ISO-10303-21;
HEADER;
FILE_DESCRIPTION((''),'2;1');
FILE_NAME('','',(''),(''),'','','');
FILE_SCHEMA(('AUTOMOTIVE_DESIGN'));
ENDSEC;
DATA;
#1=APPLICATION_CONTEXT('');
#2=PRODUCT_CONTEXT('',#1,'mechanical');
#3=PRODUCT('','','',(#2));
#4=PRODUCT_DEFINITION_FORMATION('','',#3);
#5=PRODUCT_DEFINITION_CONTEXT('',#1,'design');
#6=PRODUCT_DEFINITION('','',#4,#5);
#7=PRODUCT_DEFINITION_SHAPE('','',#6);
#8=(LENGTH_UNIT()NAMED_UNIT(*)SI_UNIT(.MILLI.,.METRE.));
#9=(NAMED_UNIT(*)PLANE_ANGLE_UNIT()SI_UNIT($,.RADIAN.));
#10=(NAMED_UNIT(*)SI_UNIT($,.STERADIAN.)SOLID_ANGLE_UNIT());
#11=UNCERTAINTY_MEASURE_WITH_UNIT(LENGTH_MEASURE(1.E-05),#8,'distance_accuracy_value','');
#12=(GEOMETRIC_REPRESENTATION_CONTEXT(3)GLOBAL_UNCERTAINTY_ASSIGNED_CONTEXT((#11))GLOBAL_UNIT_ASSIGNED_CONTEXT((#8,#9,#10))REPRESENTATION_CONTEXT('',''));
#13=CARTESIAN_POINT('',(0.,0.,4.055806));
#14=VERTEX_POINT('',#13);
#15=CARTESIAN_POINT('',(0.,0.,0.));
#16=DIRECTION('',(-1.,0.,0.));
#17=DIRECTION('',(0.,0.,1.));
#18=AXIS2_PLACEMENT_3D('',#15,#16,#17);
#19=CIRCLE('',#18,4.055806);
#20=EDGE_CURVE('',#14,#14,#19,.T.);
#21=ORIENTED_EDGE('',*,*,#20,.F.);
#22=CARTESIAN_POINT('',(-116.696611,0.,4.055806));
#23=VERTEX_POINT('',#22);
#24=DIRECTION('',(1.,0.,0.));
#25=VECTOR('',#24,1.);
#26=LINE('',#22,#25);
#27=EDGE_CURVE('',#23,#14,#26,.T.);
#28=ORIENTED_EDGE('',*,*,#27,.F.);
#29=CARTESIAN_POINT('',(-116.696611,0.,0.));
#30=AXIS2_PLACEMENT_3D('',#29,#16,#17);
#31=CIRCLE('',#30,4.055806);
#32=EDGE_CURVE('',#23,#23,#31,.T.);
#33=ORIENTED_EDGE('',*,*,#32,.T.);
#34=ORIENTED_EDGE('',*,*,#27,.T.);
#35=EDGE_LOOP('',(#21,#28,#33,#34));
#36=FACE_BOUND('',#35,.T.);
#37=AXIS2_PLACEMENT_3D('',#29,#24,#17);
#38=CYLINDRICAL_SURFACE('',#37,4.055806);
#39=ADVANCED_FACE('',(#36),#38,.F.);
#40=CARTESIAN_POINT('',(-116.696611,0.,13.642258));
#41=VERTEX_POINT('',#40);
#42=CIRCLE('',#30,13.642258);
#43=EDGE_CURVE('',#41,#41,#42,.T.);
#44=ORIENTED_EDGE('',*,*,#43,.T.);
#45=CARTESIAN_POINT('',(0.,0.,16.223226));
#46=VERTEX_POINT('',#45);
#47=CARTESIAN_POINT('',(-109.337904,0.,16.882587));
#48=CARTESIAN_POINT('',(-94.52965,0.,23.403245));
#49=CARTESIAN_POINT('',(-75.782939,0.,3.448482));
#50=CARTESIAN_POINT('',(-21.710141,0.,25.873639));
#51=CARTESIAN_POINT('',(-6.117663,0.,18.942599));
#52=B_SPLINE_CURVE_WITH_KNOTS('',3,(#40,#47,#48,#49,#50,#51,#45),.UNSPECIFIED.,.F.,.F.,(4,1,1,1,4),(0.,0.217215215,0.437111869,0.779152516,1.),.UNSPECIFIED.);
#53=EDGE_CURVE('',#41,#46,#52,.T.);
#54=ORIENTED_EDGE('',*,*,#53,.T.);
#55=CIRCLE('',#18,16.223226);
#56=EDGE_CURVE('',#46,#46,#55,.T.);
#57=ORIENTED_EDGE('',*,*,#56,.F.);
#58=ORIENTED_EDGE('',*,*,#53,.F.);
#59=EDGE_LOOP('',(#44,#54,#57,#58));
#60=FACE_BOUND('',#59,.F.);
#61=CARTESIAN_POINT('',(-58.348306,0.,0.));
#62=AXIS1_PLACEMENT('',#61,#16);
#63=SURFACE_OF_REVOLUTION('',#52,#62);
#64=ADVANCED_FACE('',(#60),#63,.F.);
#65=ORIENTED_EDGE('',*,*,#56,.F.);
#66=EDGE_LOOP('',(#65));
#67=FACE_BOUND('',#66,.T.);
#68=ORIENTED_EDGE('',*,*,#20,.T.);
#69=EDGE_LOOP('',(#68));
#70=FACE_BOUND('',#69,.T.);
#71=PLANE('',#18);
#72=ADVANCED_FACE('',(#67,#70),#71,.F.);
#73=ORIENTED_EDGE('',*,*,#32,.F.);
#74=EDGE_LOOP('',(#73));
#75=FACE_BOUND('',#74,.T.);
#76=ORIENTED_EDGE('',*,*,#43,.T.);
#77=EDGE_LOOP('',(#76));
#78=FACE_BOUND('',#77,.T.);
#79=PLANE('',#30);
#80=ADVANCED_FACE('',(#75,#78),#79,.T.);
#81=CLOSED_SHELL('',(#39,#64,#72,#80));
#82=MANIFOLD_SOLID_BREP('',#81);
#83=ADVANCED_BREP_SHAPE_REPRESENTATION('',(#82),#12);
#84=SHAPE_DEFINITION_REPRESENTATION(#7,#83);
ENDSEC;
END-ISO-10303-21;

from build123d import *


with BuildPart() as f1:
    # F0 (on Front) → F1 (revolve)
    with BuildSketch(Plane.XZ):
        with BuildLine():
            Line((-116.6966110468, 4.0558064356), (0, 4.0558064356))
            Line((0, 4.0558064356), (0, 16.2232257426))
            add(Edge.make_bspline(
                [(-116.6966110468, 13.6422580108), (-109.3379042602, 16.8825866806), (-94.5296502416, 23.4032446492), (-75.7829385636, 3.4484815385), (-21.7101412866, 25.8736387822), (-6.1176626269, 18.9425987032), (0, 16.2232257426)],
                knots=[0, 0, 0, 0, 0.2172152145, 0.4371118685, 0.7791525157, 1, 1, 1, 1], degree=3))
            Line((-116.6966110468, 13.6422580108), (-116.6966110468, 4.0558064356))
        make_face()
    revolve(axis=Axis((-58.3483055234, 0, 0), (-1, 0, 0)))


solid = f1.part
